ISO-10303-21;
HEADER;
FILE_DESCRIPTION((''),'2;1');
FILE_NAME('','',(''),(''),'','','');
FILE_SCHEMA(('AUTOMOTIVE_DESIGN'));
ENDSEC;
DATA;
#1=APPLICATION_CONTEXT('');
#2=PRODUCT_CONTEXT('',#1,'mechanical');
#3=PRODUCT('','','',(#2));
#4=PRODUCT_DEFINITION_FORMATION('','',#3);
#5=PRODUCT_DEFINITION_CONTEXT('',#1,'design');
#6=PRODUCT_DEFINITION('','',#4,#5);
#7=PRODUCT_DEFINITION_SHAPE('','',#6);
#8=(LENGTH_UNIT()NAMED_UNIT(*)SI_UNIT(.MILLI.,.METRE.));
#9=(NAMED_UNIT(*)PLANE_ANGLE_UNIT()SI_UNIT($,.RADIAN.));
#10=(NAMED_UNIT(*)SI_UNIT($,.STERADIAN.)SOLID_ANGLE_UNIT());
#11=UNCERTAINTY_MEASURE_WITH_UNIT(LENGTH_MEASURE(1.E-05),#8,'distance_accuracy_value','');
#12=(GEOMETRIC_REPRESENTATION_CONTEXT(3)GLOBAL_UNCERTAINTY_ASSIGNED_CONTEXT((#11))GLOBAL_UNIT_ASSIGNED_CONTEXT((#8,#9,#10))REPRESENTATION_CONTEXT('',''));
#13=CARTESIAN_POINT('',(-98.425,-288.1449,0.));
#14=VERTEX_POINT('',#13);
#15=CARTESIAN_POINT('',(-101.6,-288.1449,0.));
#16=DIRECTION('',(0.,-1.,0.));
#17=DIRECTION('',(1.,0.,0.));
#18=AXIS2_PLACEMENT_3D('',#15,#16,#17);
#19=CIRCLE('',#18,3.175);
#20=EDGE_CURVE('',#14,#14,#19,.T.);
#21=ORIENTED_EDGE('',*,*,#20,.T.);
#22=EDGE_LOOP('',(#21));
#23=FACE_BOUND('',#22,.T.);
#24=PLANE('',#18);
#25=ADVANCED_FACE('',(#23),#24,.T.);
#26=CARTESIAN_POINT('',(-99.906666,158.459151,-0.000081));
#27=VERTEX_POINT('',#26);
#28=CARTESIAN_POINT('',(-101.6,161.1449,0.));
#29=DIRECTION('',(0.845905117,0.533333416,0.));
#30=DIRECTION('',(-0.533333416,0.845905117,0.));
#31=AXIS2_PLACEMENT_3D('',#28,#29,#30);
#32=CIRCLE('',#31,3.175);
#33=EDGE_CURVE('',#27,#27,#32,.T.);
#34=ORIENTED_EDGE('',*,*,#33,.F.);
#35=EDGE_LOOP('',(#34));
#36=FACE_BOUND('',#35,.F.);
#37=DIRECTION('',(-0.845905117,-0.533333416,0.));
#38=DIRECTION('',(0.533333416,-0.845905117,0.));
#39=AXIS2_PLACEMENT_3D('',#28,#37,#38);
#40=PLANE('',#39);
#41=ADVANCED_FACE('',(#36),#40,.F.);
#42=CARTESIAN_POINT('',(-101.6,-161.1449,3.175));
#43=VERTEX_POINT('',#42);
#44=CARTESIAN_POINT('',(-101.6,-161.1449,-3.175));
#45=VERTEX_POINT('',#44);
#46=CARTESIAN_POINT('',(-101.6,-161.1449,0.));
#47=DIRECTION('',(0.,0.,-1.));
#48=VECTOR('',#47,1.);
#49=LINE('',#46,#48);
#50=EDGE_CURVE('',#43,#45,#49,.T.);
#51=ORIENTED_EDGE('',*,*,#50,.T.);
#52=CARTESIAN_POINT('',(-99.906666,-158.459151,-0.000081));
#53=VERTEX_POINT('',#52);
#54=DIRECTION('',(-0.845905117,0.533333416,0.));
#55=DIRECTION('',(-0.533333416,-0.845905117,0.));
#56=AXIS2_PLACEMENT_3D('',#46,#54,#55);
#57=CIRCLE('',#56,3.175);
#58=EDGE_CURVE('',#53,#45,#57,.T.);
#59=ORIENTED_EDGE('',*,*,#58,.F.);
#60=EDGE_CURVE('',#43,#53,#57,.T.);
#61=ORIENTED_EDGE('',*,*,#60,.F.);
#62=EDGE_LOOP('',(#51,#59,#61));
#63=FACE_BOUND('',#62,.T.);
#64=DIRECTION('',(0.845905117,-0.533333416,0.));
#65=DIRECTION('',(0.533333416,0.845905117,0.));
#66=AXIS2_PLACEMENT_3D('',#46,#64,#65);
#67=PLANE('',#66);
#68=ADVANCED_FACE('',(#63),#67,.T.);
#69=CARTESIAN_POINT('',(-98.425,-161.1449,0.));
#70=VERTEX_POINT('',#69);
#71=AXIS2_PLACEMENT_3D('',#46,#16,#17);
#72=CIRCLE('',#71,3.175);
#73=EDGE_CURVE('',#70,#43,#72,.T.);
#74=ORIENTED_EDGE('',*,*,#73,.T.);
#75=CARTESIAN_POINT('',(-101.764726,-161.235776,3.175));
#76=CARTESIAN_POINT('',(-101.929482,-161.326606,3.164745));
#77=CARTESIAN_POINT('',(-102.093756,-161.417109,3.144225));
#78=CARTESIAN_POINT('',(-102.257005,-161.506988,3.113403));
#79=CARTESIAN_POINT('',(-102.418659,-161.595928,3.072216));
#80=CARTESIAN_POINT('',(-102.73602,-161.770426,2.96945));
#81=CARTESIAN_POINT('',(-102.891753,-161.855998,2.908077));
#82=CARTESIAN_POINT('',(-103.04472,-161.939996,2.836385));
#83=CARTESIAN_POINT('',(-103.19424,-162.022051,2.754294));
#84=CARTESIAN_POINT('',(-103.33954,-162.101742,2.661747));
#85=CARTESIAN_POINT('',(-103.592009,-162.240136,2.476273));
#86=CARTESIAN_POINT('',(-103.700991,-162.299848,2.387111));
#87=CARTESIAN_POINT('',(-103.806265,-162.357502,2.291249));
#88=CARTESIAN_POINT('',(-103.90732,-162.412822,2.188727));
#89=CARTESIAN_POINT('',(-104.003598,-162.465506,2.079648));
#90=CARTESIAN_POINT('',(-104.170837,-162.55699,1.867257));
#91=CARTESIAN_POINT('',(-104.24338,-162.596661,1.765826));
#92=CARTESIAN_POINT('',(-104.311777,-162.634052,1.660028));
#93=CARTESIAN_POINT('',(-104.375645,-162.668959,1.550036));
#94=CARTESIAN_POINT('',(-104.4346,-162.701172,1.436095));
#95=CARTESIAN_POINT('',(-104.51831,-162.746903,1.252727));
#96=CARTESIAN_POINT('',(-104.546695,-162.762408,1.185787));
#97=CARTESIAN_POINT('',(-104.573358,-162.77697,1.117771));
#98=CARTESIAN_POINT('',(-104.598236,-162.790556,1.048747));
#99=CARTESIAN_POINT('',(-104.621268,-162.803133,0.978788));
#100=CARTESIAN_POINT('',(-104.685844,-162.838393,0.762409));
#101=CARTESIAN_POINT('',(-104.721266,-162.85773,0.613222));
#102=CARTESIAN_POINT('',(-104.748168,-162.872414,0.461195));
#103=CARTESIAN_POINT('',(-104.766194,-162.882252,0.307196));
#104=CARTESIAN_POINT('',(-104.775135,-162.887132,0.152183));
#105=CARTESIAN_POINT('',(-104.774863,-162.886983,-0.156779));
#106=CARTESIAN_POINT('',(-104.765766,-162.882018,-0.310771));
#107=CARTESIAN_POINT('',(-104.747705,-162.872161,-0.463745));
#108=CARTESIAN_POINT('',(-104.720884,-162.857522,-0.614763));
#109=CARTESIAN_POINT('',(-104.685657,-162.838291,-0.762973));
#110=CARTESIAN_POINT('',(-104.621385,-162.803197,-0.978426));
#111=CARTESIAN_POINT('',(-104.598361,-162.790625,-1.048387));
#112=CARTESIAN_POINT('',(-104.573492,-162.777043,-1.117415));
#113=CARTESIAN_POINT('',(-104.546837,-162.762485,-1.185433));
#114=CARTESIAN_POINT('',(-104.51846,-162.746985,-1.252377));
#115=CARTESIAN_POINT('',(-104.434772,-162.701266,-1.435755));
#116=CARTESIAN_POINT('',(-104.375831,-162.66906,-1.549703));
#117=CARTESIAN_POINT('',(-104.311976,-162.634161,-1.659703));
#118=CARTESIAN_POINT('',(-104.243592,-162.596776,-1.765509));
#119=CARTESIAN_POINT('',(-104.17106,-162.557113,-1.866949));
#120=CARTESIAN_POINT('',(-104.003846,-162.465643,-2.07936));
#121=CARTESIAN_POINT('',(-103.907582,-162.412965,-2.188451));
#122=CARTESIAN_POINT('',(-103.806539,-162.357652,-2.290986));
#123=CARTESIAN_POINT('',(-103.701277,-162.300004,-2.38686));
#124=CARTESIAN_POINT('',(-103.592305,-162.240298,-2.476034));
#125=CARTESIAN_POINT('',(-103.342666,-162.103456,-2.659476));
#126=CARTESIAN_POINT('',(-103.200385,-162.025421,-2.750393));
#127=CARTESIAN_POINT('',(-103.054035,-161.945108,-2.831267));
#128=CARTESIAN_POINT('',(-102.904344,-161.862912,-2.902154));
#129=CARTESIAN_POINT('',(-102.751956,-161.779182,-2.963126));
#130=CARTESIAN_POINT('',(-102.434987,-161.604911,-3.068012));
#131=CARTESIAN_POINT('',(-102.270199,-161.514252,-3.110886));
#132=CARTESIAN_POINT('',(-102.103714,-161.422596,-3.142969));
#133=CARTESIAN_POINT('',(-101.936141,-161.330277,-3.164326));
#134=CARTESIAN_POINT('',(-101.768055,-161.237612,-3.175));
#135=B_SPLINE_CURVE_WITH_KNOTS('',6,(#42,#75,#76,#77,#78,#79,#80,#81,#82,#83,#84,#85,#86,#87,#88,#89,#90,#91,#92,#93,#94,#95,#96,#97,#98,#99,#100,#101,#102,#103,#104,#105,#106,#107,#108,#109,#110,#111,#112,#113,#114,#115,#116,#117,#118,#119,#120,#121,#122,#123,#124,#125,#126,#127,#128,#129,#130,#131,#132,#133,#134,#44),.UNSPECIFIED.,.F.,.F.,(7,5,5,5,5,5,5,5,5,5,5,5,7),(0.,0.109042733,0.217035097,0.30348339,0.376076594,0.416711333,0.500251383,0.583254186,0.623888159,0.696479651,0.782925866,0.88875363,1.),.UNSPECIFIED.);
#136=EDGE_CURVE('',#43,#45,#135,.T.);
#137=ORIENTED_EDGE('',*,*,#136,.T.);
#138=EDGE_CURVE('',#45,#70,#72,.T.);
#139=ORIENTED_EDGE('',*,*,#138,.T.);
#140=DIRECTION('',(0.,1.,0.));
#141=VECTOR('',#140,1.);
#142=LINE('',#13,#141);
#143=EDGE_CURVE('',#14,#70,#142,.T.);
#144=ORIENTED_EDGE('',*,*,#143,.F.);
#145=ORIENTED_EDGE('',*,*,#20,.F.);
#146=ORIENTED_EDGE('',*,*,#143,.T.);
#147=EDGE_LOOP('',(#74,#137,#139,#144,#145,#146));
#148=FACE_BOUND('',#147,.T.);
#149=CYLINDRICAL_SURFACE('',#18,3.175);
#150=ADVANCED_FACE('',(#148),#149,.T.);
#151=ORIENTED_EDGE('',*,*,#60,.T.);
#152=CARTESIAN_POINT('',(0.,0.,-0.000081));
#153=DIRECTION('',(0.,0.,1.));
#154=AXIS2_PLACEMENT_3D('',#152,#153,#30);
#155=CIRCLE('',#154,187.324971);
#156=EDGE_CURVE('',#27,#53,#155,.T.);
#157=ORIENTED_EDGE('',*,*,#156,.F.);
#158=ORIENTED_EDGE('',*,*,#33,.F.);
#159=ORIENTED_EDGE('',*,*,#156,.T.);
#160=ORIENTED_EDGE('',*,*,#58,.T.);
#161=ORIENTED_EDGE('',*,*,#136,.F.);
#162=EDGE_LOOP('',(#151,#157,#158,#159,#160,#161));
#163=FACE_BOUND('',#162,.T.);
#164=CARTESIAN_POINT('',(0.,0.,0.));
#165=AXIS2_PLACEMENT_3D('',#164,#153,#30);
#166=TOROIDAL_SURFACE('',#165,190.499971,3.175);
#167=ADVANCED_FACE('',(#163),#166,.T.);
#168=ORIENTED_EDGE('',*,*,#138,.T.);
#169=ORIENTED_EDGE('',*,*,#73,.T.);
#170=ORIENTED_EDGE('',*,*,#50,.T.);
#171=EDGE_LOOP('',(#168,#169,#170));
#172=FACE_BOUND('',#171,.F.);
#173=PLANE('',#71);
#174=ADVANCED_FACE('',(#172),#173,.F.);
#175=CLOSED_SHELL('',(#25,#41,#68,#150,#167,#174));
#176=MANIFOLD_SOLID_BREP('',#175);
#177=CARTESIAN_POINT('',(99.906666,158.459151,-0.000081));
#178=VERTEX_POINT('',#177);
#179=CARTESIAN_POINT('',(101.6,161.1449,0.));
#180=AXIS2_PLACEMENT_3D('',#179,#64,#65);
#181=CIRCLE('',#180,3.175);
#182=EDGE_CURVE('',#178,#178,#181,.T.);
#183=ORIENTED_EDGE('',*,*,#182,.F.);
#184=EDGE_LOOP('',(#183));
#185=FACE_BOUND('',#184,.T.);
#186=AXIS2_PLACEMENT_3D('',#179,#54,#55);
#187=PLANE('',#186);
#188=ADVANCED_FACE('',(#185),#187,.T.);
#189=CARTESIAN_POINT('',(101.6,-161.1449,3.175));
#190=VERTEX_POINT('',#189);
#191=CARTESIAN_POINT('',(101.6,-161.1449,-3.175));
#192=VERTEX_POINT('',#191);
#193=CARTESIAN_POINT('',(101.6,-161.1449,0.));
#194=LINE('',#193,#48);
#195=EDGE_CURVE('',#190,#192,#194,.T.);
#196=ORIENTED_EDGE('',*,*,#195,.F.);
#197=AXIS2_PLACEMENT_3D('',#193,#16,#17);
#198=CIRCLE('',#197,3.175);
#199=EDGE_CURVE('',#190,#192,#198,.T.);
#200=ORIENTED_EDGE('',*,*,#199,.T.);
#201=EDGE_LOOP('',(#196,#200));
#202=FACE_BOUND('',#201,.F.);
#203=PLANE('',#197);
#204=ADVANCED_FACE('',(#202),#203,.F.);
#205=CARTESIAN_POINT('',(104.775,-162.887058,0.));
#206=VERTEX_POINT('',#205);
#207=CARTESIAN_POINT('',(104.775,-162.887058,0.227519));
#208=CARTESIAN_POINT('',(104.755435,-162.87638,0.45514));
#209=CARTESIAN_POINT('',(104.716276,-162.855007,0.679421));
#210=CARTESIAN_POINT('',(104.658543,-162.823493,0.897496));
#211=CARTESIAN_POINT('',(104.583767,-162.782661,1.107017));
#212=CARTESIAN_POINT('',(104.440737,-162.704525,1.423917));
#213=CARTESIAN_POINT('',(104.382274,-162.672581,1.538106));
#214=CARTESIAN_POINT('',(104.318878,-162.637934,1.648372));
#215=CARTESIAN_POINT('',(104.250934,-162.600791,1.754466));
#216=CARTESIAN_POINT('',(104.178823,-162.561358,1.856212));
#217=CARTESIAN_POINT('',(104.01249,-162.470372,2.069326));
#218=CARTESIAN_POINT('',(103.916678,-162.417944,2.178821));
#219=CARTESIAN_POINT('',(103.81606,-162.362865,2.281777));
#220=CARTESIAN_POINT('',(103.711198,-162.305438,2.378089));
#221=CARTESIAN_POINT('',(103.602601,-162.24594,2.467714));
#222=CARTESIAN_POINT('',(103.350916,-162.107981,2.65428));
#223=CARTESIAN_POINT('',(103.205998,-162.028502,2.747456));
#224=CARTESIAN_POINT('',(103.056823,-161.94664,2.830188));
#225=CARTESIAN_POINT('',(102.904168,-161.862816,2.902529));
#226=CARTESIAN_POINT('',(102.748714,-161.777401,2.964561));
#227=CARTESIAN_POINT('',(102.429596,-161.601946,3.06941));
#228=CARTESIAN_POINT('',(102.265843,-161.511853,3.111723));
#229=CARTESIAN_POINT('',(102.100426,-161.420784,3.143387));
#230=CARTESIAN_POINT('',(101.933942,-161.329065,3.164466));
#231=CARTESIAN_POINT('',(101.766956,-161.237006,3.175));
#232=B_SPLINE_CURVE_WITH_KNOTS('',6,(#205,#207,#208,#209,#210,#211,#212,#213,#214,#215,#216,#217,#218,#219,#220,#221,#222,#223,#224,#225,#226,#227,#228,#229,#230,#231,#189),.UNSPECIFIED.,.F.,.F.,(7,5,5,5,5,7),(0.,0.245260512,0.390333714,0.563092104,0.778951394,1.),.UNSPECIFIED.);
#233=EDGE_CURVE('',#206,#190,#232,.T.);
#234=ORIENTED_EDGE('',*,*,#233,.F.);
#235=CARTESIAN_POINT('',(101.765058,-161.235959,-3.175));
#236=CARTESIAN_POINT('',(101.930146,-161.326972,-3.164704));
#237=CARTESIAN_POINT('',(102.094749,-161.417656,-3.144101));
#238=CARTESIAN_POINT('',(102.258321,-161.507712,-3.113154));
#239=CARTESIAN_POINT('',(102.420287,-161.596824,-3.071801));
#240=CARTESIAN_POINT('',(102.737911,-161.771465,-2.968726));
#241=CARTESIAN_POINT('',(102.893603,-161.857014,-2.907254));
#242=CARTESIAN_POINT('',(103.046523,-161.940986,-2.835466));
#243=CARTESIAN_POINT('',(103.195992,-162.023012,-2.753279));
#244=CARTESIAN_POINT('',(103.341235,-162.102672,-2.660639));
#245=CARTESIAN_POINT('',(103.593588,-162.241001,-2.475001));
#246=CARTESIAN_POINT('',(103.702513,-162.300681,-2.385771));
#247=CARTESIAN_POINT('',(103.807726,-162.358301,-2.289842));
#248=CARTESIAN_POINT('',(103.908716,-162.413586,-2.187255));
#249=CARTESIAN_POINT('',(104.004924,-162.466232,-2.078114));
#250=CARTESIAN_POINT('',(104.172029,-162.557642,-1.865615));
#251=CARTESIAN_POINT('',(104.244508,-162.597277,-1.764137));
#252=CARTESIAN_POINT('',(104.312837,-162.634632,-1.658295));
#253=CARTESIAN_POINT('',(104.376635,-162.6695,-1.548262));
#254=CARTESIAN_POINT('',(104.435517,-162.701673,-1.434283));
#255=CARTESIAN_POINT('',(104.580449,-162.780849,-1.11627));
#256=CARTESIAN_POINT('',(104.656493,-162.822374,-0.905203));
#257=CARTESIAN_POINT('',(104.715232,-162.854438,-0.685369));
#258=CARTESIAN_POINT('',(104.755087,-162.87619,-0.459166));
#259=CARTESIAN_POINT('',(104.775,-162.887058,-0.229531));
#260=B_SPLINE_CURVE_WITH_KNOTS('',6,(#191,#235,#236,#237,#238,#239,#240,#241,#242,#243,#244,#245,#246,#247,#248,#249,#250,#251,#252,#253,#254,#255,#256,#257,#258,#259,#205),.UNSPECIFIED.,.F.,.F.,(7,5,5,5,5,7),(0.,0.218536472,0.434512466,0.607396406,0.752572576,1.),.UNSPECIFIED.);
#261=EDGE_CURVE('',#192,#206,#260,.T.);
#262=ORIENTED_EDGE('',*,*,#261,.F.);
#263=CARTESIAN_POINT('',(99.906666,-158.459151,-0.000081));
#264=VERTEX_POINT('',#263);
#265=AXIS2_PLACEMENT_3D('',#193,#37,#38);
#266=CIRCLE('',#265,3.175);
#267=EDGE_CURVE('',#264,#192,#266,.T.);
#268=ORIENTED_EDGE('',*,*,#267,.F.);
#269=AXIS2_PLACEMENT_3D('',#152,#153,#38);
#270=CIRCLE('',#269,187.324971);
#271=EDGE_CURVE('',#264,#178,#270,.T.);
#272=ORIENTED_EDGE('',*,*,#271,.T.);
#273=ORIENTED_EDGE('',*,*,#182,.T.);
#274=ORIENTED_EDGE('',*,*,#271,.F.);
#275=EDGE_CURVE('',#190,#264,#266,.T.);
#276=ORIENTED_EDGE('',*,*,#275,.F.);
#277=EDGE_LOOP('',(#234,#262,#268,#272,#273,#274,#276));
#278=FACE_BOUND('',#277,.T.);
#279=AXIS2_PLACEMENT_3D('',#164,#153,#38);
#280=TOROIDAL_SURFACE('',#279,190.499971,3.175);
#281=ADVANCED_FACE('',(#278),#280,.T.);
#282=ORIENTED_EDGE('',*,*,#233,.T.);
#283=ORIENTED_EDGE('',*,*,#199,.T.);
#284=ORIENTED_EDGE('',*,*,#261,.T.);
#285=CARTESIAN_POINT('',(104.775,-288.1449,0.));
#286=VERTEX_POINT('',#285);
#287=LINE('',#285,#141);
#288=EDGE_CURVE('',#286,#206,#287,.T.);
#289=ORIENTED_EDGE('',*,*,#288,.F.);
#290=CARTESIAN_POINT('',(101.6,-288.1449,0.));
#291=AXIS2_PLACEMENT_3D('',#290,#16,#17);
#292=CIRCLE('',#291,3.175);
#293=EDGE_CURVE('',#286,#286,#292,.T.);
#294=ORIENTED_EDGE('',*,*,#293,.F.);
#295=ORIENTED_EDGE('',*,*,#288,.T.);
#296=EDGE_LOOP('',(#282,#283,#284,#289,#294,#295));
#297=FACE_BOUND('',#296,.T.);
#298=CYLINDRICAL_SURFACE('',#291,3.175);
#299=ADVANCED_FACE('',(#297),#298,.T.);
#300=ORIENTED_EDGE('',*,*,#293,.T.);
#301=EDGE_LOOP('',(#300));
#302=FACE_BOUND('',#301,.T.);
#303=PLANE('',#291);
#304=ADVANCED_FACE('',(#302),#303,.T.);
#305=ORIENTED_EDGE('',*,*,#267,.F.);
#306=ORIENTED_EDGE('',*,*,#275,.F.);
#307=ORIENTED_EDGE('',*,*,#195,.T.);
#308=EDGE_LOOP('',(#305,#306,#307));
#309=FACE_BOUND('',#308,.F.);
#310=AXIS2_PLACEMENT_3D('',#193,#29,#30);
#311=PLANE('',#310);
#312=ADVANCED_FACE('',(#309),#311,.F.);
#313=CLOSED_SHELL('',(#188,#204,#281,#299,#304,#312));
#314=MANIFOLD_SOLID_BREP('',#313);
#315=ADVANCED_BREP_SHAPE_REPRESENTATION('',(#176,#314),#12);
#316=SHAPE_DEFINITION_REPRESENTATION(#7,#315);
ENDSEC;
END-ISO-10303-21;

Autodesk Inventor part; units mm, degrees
sketch "Sketch1" plane through (0, 0, 0) normal (0, 0, 1) x (1, 0, 0)
  arc A0 (-101.6, 161.1449) -> (-101.6, -161.1449) centre (0, 0) ccw
  arc A1 (101.6, -161.1449) -> (101.6, 161.1449) centre (0, 0) ccw
  point P0 (0, 0)
ref_plane "Work Plane5" through (101.6, 161.1449, 0) normal (-0.8459, 0.5333, 0) x (-0.5333, -0.8459, 0)
ref_plane "Work Plane6" through (-101.6, 161.1449, 0) normal (-0.8459, -0.5333, 0) x (0.5333, -0.8459, 0)
sketch "Sketch4" plane through (-101.6, 161.1449, 0) normal (-0.8459, -0.5333, 0) x (0.5333, -0.8459, 0)
  circle A0 centre (0, 0) radius 3.175
  point P0 (190.5, 0)
  dimension "d3" = 6.35
sketch "Sketch5" plane through (101.6, 161.1449, 0) normal (-0.8459, 0.5333, 0) x (-0.5333, -0.8459, 0)
  circle A0 centre (0, 0) radius 3.175
  point P0 (190.5, 0)
  dimension "d4" = 6.35
sweep "Sweep1" add profiles "Sketch4" path "Sketch1" path curves A0
sweep "Sweep2" add profiles "Sketch5" path "Sketch1" path curves A1
ref_plane "Work Plane7" through (0, 0, 0) normal (0, 0, -1) x (-1, 0, 0)
sketch "Sketch6" plane through (0, 0, 0) normal (0, 0, -1) x (-1, 0, 0)
  line L0 (99.9067, -158.4592) -> (103.2933, -163.8307) projected
  line L1 (101.6, -161.1449) -> (101.6, -288.1449)
  line L2 (-103.2933, -163.8307) -> (-99.9067, -158.4592) projected
  point P0 (0, 0)
  point P1 (-101.6, -161.1449)
  dimension "d9" = 127
sketch "Sketch7" plane through (0, 0, 0) normal (0, 0, -1) x (-1, 0, 0)
  line L0 (-103.2933, -163.8307) -> (-99.9067, -158.4592) projected
  line L1 (-101.6, -161.1449) -> (-101.6, -288.1449)
  point P0 (0, 0)
  point P1 (-99.9067, -285.4592)
  dimension "d10" = 127
  dimension "d14" = 127
ref_plane "Work Plane8" through (-101.6, -288.1449, 0) normal (0, -1, 0) x (1, 0, 0)
sketch "Sketch8" plane through (-101.6, -288.1449, 0) normal (0, -1, 0) x (1, 0, 0)
  circle A0 centre (0, 0) radius 3.175
  point P0 (101.6, 0)
  dimension "d11" = 6.35
extrude "Extrusion1" add sketch "Sketch8" against normal blind 127
ref_plane "Work Plane10" through (101.6, -288.1449, 0) normal (0, -1, 0) x (1, 0, 0)
sketch "Sketch9" plane through (101.6, -288.1449, 0) normal (0, -1, 0) x (1, 0, 0)
  circle A0 centre (0, 0) radius 3.175
  point P0 (-101.6, 0)
  dimension "d15" = 6.35
extrude "Extrusion2" add sketch "Sketch9" against normal blind 127
properties part number "PossibleTopCapBallHolder" material "Silver"
